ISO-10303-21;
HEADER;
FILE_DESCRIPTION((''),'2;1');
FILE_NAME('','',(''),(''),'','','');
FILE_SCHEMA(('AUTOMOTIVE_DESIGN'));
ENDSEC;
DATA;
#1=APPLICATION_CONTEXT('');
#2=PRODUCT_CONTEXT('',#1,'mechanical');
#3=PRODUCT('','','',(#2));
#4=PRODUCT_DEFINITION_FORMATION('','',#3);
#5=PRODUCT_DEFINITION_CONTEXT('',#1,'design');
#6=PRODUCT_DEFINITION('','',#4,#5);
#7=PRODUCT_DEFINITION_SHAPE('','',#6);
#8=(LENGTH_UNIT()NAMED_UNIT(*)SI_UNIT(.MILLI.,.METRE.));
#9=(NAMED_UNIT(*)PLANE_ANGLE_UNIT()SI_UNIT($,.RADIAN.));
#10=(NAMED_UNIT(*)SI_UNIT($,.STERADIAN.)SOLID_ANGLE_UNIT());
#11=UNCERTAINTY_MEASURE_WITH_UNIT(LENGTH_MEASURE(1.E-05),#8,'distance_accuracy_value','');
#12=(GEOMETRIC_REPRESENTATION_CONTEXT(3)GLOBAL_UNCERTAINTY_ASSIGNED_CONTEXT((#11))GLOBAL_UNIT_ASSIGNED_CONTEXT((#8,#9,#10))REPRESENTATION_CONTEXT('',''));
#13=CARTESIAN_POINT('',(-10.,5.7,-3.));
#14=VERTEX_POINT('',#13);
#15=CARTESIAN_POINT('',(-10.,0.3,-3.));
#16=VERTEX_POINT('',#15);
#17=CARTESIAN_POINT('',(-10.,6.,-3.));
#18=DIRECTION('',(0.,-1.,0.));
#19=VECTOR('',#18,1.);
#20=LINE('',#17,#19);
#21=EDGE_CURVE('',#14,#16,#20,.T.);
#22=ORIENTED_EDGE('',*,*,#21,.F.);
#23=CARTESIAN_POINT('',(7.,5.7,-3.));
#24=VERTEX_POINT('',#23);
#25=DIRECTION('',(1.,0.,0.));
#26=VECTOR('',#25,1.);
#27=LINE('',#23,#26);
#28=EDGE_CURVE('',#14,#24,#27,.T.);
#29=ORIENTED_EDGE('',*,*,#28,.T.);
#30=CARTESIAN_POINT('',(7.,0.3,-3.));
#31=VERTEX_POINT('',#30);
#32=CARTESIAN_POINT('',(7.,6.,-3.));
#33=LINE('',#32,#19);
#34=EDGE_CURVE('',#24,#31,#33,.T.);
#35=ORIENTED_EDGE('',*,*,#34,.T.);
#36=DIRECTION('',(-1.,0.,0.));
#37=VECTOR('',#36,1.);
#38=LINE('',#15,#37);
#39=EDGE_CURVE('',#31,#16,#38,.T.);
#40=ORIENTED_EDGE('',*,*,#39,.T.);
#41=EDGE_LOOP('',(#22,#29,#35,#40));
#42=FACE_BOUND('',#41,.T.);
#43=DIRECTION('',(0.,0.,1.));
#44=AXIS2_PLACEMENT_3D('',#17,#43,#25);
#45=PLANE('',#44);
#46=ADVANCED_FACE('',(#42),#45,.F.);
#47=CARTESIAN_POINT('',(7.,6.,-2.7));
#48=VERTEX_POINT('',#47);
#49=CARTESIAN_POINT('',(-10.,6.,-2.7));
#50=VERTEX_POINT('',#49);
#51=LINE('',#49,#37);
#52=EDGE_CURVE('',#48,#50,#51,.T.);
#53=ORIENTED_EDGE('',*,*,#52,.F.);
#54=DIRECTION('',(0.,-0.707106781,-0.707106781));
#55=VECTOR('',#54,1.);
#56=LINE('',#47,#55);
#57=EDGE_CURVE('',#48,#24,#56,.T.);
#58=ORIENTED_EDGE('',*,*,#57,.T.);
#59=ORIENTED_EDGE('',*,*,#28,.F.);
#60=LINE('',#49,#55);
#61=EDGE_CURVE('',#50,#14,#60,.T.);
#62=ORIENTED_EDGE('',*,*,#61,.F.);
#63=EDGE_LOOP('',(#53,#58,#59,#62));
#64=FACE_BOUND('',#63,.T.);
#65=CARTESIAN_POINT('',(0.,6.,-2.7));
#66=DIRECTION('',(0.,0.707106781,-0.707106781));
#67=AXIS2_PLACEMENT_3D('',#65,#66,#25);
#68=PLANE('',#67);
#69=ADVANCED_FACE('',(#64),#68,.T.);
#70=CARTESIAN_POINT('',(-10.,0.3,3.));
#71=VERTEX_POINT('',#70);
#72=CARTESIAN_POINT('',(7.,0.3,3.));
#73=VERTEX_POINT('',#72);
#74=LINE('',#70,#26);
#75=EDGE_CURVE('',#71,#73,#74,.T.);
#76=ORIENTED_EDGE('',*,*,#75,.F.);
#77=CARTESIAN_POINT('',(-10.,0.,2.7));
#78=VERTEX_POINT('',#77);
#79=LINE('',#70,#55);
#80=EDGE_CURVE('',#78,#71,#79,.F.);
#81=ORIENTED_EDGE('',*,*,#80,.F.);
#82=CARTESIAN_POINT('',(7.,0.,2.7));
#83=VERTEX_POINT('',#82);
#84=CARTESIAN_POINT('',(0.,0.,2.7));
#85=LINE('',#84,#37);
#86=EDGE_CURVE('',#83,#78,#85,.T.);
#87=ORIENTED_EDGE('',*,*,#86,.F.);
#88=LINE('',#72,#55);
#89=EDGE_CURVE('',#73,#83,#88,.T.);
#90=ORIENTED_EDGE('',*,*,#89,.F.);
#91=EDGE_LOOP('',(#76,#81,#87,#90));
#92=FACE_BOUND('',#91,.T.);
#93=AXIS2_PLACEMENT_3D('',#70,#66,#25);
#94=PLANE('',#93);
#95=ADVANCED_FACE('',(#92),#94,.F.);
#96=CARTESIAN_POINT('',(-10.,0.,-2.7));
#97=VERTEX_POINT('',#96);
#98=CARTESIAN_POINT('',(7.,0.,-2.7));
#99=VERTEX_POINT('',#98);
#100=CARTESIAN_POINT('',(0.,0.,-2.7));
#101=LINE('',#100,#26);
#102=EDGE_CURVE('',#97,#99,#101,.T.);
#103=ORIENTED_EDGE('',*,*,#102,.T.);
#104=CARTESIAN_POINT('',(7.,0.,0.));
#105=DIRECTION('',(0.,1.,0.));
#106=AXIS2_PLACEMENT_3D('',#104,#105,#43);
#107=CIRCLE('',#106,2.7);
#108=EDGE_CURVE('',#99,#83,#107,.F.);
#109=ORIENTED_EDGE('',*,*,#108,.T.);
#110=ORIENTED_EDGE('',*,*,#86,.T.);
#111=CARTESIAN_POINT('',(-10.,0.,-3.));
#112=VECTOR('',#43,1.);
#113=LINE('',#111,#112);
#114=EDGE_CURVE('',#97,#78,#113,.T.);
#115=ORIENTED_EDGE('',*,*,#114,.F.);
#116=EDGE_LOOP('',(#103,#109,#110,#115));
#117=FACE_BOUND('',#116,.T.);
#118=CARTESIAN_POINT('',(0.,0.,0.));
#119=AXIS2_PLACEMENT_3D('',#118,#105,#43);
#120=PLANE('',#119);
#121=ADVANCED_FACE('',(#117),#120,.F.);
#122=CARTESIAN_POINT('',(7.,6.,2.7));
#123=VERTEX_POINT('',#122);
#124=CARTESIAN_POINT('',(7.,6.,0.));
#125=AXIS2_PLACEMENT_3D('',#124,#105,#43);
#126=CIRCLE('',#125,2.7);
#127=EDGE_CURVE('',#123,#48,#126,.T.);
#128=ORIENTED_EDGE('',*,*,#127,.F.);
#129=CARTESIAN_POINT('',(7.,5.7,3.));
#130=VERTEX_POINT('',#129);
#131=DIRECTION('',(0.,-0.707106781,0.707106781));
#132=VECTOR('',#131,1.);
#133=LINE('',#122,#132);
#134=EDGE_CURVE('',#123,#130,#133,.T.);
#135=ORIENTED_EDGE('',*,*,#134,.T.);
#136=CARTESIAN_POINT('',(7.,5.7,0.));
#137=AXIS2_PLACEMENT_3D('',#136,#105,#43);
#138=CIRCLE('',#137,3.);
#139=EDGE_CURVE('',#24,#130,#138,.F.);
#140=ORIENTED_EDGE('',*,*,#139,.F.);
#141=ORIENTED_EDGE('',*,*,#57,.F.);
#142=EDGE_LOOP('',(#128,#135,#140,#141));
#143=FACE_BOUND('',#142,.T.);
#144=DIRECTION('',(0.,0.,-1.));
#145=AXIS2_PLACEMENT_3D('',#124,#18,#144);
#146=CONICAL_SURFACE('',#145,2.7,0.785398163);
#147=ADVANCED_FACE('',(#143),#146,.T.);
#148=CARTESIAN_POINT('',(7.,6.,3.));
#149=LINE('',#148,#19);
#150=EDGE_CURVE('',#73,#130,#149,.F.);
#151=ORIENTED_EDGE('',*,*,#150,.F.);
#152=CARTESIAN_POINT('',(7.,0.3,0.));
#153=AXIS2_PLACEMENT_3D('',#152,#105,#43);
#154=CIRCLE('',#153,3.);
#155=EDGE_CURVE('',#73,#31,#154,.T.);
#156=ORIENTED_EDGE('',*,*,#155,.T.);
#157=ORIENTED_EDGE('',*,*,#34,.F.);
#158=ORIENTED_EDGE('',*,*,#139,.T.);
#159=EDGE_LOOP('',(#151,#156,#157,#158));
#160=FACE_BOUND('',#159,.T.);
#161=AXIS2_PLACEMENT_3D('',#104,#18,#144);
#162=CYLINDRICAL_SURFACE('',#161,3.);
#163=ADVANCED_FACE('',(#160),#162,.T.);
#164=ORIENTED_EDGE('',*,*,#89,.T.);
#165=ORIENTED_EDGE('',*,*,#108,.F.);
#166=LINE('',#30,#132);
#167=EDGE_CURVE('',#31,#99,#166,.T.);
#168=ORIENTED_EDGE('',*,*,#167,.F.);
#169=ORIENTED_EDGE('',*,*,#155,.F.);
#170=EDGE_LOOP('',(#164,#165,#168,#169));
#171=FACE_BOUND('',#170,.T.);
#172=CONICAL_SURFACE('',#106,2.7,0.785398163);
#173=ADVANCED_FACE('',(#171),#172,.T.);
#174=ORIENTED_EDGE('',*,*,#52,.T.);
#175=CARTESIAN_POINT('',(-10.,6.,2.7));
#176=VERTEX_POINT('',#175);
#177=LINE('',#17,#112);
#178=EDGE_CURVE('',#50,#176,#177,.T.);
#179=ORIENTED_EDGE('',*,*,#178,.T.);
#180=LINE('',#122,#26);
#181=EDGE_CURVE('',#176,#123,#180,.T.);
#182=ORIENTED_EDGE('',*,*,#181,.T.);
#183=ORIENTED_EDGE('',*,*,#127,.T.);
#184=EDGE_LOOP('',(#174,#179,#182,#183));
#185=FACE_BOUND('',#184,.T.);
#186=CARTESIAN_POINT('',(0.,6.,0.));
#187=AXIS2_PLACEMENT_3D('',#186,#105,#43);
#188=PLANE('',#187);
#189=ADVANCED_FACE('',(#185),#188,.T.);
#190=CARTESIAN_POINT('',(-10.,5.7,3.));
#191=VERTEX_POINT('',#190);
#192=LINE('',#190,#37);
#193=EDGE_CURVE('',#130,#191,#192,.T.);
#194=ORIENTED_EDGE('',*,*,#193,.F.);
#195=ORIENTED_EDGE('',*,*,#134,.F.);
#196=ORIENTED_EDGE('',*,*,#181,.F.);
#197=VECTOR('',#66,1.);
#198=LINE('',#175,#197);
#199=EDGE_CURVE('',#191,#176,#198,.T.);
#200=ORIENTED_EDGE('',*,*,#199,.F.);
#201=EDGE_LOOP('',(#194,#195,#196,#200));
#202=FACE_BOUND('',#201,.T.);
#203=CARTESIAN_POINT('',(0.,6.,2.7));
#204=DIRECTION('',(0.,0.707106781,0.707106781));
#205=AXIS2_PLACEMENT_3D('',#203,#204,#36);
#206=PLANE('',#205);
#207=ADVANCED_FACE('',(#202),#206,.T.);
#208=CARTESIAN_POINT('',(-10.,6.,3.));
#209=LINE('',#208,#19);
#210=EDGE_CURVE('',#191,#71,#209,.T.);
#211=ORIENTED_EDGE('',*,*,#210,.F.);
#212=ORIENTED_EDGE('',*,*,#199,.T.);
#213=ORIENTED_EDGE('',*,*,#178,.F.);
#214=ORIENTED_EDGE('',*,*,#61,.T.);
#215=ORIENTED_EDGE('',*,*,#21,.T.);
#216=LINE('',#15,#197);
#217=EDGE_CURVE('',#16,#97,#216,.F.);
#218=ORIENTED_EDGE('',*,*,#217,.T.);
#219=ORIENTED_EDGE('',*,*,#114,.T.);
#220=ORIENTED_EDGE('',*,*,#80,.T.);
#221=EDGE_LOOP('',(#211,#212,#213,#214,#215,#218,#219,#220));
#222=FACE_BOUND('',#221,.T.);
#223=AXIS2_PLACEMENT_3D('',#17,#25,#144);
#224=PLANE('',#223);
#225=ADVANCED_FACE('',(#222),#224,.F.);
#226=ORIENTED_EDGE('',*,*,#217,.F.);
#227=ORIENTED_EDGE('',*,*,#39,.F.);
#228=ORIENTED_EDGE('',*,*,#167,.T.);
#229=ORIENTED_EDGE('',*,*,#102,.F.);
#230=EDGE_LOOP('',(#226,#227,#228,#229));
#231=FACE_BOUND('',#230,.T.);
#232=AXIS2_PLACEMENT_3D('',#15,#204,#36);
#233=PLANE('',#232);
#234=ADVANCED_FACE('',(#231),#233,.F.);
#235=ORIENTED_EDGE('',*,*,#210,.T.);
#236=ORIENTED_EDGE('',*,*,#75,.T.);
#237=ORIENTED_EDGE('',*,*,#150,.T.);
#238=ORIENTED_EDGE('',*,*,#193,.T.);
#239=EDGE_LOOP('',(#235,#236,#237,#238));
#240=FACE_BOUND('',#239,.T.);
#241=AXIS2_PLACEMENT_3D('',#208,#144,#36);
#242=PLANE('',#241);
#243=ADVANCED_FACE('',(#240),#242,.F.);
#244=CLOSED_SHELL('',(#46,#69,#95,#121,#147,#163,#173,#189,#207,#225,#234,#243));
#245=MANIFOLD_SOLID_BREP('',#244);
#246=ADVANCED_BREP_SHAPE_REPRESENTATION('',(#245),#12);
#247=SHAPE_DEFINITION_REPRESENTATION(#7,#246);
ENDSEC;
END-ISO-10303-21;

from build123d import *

# Parameters (mm, degrees)
SKETCH1_W           = 20
SKETCH1_H           = 6
BOSS_EXTRUDE1_DEPTH = 6
FILLET2_RADIUS      = 3
FILLET2_LENGTH      = 6
CHAMFER2_SIZE       = 0.3


with BuildPart() as part:
    # Sketch1 → Boss-Extrude1 (new body)
    with BuildSketch(Plane(origin=(0, 0, 0), x_dir=(1, 0, 0), z_dir=(0, 1, 0))):
        Rectangle(SKETCH1_W, SKETCH1_H)
    extrude(amount=BOSS_EXTRUDE1_DEPTH)

    # Fillet2: full round fillet: the end face becomes a half cylinder, R = half its width
    fillet2_face = Plane((10, 3, 0), x_dir=(0, 1, 0), z_dir=(1, 0, 0))  # on the end face: x along it, z out of the body
    fillet2_slab = fillet2_face.offset(-FILLET2_RADIUS / 2) * Box(FILLET2_LENGTH, 2 * FILLET2_RADIUS, FILLET2_RADIUS, mode=Mode.PRIVATE)  # the body's end, R deep
    fillet2_round = Plane((7, 3, 0), x_dir=(1, 0, 0), z_dir=(0, 1, 0)) * Cylinder(FILLET2_RADIUS, FILLET2_LENGTH, mode=Mode.PRIVATE)  # its axis R under the face
    add(fillet2_slab - fillet2_round, mode=Mode.SUBTRACT)

    # Chamfer2
    chamfer2_edges = [part.edges().sort_by_distance(p)[0] for p in [
        (-1.5, 0, -3),
        (-1.5, 6, -3),
        (10, 0, 0),
        (10, 6, 0),
        (-1.5, 0, 3),
        (-1.5, 6, 3),
    ]]
    chamfer(chamfer2_edges, length=CHAMFER2_SIZE)


solid = part.part
